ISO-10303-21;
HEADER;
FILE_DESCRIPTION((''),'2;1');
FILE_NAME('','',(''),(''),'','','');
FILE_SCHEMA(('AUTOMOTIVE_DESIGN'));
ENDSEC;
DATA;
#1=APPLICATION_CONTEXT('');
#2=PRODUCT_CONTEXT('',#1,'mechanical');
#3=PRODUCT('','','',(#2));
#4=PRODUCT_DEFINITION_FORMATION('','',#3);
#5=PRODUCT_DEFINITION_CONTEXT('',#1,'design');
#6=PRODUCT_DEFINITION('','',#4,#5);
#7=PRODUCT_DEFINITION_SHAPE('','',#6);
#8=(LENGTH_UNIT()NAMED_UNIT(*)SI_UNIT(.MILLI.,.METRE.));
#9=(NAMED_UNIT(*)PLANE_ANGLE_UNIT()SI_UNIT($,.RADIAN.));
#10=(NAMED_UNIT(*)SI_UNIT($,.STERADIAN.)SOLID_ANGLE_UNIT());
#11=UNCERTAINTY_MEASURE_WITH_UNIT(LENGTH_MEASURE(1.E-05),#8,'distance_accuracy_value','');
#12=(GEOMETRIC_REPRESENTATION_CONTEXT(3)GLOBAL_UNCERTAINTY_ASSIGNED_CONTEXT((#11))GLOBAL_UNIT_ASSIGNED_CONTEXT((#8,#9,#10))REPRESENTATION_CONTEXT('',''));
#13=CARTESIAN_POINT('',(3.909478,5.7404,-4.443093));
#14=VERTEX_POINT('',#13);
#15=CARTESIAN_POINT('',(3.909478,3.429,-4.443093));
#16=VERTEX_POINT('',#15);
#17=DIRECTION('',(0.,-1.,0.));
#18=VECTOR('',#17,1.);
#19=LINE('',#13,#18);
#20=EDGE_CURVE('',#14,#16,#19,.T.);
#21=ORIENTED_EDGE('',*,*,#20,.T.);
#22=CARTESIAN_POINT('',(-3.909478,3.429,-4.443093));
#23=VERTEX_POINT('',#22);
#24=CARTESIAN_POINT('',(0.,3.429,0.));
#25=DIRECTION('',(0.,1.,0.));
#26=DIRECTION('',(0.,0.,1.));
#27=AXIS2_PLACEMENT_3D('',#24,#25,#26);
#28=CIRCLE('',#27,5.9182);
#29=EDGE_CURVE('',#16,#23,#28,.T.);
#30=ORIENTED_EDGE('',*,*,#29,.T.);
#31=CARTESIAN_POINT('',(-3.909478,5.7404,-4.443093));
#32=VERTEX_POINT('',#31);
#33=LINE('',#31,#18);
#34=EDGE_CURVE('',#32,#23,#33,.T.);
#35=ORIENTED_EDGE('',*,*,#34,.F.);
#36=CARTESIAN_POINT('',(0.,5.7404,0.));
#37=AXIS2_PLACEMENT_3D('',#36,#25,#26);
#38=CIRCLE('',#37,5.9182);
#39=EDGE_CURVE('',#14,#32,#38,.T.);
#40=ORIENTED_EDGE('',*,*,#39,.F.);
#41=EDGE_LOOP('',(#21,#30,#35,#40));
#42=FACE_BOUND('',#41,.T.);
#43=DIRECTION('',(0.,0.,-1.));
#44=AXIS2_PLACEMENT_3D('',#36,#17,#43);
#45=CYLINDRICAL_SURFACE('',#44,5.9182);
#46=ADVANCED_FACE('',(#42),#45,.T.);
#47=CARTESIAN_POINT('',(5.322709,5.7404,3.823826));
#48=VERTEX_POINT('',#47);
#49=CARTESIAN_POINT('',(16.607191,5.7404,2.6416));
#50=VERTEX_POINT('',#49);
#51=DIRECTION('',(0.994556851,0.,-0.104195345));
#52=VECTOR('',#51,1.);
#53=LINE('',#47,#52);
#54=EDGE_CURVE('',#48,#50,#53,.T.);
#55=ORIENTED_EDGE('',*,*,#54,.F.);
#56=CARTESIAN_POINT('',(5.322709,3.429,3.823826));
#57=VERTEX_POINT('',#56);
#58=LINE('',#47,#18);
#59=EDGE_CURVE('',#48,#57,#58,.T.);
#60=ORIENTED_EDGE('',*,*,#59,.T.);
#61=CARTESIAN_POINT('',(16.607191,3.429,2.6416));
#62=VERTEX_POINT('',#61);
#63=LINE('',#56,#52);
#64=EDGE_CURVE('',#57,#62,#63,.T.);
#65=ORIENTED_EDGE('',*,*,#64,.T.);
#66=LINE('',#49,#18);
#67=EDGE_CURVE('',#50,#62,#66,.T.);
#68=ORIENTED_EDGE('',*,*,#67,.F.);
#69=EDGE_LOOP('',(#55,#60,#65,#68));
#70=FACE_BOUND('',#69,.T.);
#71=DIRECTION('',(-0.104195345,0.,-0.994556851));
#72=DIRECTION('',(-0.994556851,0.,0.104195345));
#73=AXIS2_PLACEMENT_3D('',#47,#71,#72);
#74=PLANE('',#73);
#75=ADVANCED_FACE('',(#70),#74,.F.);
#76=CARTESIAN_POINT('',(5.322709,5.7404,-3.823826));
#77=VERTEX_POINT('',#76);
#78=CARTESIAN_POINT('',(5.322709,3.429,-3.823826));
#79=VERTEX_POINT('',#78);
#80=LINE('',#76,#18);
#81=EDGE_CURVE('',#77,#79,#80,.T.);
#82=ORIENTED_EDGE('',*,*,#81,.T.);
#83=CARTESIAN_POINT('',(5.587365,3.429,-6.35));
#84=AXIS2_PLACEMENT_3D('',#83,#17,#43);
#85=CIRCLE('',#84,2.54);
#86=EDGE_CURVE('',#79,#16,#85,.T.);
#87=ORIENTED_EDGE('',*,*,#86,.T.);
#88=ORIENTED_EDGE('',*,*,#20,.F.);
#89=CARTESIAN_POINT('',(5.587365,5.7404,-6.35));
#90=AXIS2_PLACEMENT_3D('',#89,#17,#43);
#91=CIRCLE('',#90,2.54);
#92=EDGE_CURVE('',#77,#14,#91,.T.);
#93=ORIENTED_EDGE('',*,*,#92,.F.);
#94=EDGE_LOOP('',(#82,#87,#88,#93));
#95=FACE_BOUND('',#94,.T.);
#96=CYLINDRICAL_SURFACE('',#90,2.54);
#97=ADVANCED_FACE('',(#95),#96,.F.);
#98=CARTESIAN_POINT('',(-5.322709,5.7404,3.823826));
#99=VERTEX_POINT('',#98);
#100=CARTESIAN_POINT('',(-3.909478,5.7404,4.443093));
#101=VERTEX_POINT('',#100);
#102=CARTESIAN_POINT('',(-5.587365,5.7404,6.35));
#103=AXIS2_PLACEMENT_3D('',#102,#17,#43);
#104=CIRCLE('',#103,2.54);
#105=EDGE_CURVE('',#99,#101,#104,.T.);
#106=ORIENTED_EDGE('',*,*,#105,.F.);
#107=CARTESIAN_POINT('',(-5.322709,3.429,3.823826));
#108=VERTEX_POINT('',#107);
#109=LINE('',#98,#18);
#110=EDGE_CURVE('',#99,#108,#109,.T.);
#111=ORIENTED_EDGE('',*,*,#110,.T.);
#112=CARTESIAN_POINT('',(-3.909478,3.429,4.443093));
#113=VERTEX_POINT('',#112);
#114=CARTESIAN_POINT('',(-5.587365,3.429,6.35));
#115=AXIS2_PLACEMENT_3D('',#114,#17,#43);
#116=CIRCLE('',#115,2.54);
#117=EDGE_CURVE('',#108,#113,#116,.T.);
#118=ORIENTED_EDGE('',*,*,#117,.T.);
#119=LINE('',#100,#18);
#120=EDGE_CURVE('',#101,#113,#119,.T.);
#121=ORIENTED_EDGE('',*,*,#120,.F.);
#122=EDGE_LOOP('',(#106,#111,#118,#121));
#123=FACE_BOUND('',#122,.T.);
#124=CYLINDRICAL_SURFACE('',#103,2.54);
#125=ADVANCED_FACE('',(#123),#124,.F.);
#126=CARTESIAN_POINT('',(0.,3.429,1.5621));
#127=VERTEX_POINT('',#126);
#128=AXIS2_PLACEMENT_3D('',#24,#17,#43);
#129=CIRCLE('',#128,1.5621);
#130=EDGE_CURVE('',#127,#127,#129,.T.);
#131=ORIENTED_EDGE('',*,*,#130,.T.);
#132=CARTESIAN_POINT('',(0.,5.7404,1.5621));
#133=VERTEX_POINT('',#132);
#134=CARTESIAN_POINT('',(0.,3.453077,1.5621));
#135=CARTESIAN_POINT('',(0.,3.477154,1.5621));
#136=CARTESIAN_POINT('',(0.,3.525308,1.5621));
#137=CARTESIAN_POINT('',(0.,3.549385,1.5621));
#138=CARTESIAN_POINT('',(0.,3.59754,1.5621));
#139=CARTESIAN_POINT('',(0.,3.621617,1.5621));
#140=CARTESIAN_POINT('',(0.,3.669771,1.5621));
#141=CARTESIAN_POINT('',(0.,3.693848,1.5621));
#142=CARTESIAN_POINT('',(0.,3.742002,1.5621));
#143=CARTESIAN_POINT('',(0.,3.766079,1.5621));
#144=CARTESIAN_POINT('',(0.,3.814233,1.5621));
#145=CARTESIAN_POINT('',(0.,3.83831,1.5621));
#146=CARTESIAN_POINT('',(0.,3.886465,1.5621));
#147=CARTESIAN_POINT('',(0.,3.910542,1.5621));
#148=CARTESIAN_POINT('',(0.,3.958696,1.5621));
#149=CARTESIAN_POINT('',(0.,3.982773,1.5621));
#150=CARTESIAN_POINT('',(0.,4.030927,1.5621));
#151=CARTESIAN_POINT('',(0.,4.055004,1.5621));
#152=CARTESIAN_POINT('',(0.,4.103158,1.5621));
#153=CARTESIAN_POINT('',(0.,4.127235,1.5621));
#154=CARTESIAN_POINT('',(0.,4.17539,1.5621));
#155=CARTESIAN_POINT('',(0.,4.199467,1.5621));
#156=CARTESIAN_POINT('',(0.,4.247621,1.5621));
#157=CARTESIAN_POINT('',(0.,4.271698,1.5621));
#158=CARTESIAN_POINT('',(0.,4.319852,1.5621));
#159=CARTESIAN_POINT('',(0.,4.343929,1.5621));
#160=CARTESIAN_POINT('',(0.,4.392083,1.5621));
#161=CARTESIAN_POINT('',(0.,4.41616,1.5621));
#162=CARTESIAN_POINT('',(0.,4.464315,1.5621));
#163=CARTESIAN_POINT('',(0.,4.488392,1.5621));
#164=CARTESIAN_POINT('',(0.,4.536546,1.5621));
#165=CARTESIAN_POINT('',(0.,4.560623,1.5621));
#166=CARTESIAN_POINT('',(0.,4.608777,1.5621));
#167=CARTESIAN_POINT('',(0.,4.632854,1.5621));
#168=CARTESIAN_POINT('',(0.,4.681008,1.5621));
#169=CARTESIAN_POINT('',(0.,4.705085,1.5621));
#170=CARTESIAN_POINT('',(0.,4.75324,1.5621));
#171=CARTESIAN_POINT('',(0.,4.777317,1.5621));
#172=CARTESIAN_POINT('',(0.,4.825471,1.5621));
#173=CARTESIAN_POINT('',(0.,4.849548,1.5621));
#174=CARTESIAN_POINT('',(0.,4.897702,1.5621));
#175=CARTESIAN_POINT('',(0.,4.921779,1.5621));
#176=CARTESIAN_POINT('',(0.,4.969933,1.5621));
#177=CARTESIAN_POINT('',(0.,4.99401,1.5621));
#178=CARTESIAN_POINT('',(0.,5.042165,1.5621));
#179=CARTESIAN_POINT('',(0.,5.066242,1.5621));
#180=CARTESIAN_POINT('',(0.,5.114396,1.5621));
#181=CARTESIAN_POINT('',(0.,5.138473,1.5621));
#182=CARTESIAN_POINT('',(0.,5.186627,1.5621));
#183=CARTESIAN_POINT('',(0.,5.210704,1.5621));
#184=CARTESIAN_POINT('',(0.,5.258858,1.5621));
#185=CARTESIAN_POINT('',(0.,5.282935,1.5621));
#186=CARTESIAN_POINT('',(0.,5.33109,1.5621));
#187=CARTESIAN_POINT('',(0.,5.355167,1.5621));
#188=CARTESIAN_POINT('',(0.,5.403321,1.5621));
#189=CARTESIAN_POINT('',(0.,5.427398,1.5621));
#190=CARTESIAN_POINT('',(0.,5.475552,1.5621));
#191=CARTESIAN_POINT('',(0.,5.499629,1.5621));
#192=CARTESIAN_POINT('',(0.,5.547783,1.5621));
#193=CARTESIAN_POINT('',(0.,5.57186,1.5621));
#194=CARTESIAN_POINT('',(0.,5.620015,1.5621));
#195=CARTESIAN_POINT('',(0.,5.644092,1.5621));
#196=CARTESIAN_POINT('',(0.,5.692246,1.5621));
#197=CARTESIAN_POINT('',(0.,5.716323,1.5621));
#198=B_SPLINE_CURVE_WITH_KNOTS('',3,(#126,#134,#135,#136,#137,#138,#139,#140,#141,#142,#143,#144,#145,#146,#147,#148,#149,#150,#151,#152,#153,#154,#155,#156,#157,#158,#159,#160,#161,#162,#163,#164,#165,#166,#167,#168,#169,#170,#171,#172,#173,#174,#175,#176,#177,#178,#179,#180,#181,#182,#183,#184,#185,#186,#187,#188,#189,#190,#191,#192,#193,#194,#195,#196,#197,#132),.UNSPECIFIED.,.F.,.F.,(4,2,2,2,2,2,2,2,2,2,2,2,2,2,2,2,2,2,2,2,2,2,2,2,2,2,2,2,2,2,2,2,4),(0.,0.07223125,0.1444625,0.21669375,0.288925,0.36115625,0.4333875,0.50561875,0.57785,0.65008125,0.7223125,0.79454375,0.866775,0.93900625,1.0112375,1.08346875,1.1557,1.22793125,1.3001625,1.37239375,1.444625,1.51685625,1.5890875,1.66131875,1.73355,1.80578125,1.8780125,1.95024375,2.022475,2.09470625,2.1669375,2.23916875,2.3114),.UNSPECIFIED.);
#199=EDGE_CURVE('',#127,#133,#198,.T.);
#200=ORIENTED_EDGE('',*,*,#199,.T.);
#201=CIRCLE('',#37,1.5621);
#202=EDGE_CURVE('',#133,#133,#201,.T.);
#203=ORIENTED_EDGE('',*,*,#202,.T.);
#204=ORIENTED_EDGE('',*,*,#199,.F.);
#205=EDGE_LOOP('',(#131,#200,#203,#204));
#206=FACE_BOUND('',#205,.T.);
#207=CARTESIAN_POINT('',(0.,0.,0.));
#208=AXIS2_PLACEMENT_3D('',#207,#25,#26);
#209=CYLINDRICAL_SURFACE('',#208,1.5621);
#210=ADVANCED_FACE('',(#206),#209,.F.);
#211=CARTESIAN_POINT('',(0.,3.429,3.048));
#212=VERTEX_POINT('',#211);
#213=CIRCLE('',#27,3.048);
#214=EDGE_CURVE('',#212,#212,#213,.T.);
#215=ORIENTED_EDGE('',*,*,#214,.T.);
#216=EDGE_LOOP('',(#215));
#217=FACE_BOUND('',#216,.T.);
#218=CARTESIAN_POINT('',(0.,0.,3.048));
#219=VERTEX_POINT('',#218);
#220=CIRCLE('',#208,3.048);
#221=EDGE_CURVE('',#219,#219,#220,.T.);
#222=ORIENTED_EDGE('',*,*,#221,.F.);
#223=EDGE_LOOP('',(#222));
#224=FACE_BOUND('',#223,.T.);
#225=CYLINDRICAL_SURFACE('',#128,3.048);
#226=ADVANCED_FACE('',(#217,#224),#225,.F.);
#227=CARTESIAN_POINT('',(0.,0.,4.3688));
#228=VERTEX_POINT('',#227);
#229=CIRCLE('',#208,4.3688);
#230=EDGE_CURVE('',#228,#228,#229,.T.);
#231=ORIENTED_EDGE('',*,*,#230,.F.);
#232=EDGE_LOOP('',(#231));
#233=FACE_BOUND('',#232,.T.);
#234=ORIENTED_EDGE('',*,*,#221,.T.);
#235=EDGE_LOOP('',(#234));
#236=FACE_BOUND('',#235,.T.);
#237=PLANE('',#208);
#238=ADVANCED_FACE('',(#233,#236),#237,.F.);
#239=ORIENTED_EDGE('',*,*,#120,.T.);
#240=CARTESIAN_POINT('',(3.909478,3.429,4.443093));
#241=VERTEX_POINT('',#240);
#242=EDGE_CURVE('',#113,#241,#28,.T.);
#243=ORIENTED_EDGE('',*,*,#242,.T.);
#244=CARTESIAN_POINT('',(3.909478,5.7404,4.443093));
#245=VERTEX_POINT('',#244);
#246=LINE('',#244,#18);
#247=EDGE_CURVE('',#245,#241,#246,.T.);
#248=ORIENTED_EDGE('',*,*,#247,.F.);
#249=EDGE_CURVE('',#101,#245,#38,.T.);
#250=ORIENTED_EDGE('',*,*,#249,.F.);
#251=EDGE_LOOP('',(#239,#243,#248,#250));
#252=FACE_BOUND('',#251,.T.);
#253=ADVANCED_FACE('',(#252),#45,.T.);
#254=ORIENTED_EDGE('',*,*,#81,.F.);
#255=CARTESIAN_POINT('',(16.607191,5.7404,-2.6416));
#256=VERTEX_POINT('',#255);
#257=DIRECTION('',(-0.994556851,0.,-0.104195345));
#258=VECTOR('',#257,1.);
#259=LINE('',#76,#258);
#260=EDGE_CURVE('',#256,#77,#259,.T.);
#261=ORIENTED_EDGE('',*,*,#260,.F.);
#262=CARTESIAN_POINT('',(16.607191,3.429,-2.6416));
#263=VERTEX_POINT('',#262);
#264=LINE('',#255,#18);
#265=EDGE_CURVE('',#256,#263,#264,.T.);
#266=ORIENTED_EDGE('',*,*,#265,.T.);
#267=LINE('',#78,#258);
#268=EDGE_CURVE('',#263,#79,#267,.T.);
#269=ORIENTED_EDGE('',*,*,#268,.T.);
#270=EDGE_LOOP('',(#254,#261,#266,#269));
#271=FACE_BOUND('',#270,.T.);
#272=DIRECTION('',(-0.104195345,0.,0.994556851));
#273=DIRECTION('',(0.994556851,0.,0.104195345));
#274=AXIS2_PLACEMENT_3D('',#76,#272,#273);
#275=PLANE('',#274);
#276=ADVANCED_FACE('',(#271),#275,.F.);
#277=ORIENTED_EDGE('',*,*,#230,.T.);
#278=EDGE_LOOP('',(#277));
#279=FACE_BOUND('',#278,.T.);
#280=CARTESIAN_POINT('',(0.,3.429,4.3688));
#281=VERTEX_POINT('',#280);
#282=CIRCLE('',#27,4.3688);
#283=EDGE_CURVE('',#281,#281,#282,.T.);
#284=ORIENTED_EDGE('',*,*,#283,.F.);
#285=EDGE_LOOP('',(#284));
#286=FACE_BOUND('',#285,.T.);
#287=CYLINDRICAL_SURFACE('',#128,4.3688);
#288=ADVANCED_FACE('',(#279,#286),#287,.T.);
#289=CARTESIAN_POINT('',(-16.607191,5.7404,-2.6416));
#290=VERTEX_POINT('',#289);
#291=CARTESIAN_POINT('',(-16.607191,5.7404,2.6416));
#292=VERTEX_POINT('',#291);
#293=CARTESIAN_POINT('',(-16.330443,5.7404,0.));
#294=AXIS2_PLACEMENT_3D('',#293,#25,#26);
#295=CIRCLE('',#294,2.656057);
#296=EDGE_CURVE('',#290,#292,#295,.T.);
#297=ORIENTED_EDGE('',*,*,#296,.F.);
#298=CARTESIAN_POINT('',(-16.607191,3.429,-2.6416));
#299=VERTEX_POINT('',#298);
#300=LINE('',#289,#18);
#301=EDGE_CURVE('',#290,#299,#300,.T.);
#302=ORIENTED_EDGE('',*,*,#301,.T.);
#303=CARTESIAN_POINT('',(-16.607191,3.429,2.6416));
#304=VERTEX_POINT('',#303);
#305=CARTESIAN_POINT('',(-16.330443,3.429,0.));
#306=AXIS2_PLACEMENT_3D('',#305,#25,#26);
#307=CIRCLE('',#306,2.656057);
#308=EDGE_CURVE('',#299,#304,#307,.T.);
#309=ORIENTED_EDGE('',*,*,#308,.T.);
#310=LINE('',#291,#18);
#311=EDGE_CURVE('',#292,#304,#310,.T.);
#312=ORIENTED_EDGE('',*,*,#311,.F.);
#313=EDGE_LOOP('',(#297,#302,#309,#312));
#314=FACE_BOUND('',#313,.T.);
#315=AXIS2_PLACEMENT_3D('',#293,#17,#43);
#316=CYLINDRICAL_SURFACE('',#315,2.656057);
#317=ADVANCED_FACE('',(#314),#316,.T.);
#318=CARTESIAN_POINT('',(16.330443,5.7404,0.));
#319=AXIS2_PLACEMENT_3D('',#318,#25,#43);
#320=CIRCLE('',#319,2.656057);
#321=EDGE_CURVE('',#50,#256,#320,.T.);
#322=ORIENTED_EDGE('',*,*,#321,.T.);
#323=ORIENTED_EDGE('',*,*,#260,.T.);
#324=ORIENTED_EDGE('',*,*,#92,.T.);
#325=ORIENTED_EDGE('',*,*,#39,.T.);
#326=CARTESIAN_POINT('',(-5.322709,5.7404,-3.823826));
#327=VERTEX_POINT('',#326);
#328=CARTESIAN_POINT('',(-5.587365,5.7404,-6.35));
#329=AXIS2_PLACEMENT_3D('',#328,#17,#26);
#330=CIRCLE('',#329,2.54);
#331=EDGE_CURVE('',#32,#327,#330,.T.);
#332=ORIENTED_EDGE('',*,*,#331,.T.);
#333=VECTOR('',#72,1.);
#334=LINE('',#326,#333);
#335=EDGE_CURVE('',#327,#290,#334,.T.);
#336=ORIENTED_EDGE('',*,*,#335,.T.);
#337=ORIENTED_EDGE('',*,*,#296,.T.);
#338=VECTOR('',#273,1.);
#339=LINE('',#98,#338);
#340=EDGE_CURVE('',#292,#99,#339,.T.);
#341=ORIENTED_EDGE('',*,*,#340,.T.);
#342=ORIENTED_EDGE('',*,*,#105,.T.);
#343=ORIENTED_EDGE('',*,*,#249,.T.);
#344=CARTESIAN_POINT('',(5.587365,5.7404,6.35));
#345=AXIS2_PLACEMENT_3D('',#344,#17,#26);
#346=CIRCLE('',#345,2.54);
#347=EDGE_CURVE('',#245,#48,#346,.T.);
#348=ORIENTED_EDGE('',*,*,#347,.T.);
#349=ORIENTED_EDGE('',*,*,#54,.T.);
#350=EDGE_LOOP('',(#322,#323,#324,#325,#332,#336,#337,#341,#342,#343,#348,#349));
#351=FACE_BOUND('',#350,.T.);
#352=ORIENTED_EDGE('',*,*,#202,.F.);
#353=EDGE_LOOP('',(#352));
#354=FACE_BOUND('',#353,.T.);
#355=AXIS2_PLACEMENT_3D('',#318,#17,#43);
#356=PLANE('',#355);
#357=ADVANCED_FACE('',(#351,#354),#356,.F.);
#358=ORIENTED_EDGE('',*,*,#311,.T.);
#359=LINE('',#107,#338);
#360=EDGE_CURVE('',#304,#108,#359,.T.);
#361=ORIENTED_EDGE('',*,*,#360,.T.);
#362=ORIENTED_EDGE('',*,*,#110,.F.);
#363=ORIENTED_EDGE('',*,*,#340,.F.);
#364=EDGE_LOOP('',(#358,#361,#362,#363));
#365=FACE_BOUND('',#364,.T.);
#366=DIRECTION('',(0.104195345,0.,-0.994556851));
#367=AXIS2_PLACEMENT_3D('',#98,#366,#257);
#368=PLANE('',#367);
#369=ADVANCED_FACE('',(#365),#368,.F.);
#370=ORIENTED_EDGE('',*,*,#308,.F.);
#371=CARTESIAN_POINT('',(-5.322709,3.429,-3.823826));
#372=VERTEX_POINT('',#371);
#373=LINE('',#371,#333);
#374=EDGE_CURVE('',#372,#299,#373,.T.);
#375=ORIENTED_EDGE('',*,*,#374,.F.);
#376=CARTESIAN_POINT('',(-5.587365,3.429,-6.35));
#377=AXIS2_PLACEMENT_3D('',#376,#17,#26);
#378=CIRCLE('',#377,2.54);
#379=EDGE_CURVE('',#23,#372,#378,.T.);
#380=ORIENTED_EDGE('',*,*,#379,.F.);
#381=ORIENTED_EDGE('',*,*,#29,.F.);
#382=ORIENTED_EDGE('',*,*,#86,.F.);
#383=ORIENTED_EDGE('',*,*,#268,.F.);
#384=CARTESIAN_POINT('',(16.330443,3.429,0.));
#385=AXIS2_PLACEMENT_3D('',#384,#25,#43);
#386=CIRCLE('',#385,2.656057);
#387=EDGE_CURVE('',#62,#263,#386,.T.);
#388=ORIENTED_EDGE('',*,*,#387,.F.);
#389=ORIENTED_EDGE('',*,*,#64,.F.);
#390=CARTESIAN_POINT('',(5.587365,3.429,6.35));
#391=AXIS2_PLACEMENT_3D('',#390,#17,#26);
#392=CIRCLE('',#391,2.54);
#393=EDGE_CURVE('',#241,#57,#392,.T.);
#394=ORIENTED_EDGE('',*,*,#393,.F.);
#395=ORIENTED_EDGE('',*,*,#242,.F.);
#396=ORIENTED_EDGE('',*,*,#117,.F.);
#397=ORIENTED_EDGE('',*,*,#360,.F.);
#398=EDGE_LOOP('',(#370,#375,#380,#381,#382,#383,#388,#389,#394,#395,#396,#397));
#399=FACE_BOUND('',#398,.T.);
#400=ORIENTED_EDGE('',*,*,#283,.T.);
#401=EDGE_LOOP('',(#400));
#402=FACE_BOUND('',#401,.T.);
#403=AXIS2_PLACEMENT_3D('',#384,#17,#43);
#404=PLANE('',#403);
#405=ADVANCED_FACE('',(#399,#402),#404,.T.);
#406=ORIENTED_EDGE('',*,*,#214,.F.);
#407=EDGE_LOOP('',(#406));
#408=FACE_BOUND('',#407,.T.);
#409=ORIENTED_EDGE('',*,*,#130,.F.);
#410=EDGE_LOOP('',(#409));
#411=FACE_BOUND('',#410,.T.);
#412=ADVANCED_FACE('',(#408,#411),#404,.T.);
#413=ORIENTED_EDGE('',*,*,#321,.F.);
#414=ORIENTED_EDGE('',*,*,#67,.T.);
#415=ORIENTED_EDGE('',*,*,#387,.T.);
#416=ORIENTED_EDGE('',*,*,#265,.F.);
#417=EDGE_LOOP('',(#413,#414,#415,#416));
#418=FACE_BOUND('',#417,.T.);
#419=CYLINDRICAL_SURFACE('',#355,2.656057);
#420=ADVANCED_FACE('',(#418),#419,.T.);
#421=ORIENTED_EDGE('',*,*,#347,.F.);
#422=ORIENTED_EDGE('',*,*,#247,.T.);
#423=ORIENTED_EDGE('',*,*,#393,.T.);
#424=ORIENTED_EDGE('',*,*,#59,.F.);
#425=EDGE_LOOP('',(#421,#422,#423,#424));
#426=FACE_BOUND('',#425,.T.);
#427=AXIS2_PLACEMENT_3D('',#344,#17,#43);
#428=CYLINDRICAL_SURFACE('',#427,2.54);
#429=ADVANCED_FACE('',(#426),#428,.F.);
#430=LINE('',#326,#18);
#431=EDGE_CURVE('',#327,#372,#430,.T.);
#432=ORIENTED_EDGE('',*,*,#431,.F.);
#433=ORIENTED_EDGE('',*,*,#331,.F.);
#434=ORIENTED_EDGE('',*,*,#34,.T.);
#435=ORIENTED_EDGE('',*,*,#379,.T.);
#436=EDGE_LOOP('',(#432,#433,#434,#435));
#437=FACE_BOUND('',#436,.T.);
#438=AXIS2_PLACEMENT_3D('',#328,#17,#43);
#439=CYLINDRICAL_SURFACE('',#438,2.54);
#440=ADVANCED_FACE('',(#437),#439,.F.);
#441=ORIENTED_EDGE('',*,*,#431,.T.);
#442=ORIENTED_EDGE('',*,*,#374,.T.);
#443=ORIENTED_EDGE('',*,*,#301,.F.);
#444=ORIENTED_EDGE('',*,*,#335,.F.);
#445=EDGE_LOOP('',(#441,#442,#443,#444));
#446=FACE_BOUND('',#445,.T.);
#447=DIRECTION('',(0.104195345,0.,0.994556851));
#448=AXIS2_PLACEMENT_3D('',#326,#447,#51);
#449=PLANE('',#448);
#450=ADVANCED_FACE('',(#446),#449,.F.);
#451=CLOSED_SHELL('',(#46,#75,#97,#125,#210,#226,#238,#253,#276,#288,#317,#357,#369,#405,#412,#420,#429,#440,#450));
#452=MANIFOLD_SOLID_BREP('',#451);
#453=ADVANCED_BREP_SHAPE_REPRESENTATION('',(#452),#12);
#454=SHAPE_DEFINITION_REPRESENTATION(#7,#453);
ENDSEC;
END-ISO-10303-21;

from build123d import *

# Parameters (mm, degrees)
SKETCH1_R           = 4.3688
SKETCH1_R_2         = 3.048
BOSS_EXTRUDE1_DEPTH = 3.429
BOSS_EXTRUDE2_DEPTH = 2.3114
SKETCH3_R           = 1.5621
CUT_EXTRUDE1_DEPTH  = 21.699383219


with BuildPart() as part:
    # Sketch1 → Boss-Extrude1 (new body)
    with BuildSketch(Plane(origin=(0, 0, 0), x_dir=(1, 0, 0), z_dir=(0, 1, 0))):
        with Locations(Location((0, 0, 0), (0, 0, 270))):
            Circle(SKETCH1_R)
        with Locations(Location((0, 0, 0), (0, 0, 270))):
            Circle(SKETCH1_R_2, mode=Mode.SUBTRACT)
    extrude(amount=BOSS_EXTRUDE1_DEPTH)

    # Sketch2 → Boss-Extrude2 (add)
    with BuildSketch(Plane(origin=(0, 3.429, 0), x_dir=(1, 0, 0), z_dir=(0, 1, 0))):
        with BuildLine():
            Line((5.322708788, 3.823825598), (16.607191493, 2.6416))
            ThreePointArc((16.607191493, 2.6416), (18.9865, 0), (16.607191493, -2.6416))
            Line((16.607191493, -2.6416), (5.322708788, -3.823825598))
            ThreePointArc((5.322708788, -3.823825598), (4.567932808, -4.023552477), (3.909477587, -4.443093093))
            ThreePointArc((3.909477587, -4.443093093), (0, -5.9182), (-3.909477587, -4.443093093))
            ThreePointArc((-3.909477587, -4.443093093), (-4.567932808, -4.023552477), (-5.322708788, -3.823825598))
            Line((-5.322708788, -3.823825598), (-16.607191493, -2.6416))
            ThreePointArc((-16.607191493, -2.6416), (-18.9865, 0), (-16.607191493, 2.6416))
            Line((-16.607191493, 2.6416), (-5.322708788, 3.823825598))
            ThreePointArc((-5.322708788, 3.823825598), (-4.567932808, 4.023552477), (-3.909477587, 4.443093093))
            ThreePointArc((-3.909477587, 4.443093093), (0, 5.9182), (3.909477587, 4.443093093))
            ThreePointArc((3.909477587, 4.443093093), (4.567932808, 4.023552477), (5.322708788, 3.823825598))
        make_face()
    extrude(amount=BOSS_EXTRUDE2_DEPTH)

    # Sketch3 → Cut-Extrude1 (cut, through all)
    with BuildSketch(Plane(origin=(0, 5.7404, 0), x_dir=(1, 0, 0), z_dir=(0, 1, 0))):
        with Locations(Location((0, 0, 0), (0, 0, 270))):
            Circle(SKETCH3_R)
    extrude(amount=-CUT_EXTRUDE1_DEPTH, mode=Mode.SUBTRACT)


solid = part.part
